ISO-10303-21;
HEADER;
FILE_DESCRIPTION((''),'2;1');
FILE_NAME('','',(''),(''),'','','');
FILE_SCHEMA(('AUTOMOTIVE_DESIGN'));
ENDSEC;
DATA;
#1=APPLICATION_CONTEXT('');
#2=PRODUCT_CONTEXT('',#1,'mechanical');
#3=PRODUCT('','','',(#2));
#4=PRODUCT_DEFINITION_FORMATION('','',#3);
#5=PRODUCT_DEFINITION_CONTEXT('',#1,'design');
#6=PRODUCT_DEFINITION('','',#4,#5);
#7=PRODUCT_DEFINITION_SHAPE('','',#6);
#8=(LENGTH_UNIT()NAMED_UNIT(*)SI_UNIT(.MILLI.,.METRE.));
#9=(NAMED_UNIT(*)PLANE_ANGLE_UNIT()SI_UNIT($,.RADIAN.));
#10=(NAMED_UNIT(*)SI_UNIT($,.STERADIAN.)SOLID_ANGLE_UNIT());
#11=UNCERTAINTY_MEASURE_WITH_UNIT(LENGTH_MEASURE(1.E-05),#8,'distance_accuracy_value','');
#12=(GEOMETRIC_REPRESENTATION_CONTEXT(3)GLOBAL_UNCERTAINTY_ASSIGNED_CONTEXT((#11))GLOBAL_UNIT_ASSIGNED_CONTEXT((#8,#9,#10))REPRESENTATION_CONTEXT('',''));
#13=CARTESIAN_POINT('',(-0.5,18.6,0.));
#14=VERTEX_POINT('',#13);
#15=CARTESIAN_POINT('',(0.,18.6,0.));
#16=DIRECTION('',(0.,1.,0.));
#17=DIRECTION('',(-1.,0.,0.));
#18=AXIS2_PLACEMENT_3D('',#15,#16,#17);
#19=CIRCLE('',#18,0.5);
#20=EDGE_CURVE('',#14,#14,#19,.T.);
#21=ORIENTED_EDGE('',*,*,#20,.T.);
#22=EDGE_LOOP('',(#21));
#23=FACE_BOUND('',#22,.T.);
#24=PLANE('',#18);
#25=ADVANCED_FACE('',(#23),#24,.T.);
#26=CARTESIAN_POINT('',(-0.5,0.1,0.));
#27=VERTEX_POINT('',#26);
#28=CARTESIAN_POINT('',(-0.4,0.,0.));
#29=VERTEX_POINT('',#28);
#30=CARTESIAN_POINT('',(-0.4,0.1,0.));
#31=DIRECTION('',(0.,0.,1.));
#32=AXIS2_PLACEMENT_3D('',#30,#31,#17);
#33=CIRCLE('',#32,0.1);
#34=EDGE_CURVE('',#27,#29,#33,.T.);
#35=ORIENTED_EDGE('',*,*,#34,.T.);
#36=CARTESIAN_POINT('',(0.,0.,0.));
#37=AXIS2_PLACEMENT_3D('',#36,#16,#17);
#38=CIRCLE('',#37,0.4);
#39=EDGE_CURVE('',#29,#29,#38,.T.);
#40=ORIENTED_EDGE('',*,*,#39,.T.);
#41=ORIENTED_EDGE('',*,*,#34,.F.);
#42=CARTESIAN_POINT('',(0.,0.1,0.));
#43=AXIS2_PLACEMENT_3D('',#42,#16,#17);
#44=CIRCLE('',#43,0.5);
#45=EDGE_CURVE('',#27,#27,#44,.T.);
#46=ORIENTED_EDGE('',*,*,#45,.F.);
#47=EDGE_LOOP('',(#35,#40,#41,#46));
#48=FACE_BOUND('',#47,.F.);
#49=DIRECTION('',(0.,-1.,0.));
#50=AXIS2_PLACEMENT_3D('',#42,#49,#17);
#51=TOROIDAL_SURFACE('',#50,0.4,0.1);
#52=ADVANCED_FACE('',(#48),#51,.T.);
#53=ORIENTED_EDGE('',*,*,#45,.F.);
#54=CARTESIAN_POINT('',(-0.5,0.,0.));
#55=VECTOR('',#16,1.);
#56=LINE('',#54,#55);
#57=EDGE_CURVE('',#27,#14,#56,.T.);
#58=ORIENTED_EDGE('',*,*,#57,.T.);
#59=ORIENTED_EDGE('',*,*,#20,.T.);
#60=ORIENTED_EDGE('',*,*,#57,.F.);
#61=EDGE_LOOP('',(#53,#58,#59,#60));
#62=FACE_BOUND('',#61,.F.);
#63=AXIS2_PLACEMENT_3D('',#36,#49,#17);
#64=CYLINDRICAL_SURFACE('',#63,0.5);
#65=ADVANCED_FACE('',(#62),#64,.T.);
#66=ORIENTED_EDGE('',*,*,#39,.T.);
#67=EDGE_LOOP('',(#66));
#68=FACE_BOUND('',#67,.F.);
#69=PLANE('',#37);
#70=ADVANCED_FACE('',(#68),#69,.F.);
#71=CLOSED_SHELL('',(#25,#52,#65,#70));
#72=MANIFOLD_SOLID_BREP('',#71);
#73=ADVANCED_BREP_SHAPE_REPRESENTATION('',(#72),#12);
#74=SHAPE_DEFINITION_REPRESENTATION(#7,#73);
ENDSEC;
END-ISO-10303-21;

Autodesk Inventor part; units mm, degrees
ref_plane "YZ Plane" through (0, 0, 0) normal (1, 0, 0) x (0, 1, 0)
ref_plane "XZ Plane" through (0, 0, 0) normal (0, 1, 0) x (-1, 0, 0)
ref_plane "XY Plane" through (0, 0, 0) normal (0, 0, 1) x (1, 0, 0)
sketch "Esboço1" plane through (0, 0, 0) normal (0, 1, 0) x (-1, 0, 0)
  circle A0 centre (0, 0) radius 0.5
  dimension "d0" = 1
extrude "Extrusão1" add sketch "Esboço1" along normal blind 18.6
fillet "Arredondamento2" radius 0.1 1 edges at (0.5, 0, 0)
properties part number "Rotor"
